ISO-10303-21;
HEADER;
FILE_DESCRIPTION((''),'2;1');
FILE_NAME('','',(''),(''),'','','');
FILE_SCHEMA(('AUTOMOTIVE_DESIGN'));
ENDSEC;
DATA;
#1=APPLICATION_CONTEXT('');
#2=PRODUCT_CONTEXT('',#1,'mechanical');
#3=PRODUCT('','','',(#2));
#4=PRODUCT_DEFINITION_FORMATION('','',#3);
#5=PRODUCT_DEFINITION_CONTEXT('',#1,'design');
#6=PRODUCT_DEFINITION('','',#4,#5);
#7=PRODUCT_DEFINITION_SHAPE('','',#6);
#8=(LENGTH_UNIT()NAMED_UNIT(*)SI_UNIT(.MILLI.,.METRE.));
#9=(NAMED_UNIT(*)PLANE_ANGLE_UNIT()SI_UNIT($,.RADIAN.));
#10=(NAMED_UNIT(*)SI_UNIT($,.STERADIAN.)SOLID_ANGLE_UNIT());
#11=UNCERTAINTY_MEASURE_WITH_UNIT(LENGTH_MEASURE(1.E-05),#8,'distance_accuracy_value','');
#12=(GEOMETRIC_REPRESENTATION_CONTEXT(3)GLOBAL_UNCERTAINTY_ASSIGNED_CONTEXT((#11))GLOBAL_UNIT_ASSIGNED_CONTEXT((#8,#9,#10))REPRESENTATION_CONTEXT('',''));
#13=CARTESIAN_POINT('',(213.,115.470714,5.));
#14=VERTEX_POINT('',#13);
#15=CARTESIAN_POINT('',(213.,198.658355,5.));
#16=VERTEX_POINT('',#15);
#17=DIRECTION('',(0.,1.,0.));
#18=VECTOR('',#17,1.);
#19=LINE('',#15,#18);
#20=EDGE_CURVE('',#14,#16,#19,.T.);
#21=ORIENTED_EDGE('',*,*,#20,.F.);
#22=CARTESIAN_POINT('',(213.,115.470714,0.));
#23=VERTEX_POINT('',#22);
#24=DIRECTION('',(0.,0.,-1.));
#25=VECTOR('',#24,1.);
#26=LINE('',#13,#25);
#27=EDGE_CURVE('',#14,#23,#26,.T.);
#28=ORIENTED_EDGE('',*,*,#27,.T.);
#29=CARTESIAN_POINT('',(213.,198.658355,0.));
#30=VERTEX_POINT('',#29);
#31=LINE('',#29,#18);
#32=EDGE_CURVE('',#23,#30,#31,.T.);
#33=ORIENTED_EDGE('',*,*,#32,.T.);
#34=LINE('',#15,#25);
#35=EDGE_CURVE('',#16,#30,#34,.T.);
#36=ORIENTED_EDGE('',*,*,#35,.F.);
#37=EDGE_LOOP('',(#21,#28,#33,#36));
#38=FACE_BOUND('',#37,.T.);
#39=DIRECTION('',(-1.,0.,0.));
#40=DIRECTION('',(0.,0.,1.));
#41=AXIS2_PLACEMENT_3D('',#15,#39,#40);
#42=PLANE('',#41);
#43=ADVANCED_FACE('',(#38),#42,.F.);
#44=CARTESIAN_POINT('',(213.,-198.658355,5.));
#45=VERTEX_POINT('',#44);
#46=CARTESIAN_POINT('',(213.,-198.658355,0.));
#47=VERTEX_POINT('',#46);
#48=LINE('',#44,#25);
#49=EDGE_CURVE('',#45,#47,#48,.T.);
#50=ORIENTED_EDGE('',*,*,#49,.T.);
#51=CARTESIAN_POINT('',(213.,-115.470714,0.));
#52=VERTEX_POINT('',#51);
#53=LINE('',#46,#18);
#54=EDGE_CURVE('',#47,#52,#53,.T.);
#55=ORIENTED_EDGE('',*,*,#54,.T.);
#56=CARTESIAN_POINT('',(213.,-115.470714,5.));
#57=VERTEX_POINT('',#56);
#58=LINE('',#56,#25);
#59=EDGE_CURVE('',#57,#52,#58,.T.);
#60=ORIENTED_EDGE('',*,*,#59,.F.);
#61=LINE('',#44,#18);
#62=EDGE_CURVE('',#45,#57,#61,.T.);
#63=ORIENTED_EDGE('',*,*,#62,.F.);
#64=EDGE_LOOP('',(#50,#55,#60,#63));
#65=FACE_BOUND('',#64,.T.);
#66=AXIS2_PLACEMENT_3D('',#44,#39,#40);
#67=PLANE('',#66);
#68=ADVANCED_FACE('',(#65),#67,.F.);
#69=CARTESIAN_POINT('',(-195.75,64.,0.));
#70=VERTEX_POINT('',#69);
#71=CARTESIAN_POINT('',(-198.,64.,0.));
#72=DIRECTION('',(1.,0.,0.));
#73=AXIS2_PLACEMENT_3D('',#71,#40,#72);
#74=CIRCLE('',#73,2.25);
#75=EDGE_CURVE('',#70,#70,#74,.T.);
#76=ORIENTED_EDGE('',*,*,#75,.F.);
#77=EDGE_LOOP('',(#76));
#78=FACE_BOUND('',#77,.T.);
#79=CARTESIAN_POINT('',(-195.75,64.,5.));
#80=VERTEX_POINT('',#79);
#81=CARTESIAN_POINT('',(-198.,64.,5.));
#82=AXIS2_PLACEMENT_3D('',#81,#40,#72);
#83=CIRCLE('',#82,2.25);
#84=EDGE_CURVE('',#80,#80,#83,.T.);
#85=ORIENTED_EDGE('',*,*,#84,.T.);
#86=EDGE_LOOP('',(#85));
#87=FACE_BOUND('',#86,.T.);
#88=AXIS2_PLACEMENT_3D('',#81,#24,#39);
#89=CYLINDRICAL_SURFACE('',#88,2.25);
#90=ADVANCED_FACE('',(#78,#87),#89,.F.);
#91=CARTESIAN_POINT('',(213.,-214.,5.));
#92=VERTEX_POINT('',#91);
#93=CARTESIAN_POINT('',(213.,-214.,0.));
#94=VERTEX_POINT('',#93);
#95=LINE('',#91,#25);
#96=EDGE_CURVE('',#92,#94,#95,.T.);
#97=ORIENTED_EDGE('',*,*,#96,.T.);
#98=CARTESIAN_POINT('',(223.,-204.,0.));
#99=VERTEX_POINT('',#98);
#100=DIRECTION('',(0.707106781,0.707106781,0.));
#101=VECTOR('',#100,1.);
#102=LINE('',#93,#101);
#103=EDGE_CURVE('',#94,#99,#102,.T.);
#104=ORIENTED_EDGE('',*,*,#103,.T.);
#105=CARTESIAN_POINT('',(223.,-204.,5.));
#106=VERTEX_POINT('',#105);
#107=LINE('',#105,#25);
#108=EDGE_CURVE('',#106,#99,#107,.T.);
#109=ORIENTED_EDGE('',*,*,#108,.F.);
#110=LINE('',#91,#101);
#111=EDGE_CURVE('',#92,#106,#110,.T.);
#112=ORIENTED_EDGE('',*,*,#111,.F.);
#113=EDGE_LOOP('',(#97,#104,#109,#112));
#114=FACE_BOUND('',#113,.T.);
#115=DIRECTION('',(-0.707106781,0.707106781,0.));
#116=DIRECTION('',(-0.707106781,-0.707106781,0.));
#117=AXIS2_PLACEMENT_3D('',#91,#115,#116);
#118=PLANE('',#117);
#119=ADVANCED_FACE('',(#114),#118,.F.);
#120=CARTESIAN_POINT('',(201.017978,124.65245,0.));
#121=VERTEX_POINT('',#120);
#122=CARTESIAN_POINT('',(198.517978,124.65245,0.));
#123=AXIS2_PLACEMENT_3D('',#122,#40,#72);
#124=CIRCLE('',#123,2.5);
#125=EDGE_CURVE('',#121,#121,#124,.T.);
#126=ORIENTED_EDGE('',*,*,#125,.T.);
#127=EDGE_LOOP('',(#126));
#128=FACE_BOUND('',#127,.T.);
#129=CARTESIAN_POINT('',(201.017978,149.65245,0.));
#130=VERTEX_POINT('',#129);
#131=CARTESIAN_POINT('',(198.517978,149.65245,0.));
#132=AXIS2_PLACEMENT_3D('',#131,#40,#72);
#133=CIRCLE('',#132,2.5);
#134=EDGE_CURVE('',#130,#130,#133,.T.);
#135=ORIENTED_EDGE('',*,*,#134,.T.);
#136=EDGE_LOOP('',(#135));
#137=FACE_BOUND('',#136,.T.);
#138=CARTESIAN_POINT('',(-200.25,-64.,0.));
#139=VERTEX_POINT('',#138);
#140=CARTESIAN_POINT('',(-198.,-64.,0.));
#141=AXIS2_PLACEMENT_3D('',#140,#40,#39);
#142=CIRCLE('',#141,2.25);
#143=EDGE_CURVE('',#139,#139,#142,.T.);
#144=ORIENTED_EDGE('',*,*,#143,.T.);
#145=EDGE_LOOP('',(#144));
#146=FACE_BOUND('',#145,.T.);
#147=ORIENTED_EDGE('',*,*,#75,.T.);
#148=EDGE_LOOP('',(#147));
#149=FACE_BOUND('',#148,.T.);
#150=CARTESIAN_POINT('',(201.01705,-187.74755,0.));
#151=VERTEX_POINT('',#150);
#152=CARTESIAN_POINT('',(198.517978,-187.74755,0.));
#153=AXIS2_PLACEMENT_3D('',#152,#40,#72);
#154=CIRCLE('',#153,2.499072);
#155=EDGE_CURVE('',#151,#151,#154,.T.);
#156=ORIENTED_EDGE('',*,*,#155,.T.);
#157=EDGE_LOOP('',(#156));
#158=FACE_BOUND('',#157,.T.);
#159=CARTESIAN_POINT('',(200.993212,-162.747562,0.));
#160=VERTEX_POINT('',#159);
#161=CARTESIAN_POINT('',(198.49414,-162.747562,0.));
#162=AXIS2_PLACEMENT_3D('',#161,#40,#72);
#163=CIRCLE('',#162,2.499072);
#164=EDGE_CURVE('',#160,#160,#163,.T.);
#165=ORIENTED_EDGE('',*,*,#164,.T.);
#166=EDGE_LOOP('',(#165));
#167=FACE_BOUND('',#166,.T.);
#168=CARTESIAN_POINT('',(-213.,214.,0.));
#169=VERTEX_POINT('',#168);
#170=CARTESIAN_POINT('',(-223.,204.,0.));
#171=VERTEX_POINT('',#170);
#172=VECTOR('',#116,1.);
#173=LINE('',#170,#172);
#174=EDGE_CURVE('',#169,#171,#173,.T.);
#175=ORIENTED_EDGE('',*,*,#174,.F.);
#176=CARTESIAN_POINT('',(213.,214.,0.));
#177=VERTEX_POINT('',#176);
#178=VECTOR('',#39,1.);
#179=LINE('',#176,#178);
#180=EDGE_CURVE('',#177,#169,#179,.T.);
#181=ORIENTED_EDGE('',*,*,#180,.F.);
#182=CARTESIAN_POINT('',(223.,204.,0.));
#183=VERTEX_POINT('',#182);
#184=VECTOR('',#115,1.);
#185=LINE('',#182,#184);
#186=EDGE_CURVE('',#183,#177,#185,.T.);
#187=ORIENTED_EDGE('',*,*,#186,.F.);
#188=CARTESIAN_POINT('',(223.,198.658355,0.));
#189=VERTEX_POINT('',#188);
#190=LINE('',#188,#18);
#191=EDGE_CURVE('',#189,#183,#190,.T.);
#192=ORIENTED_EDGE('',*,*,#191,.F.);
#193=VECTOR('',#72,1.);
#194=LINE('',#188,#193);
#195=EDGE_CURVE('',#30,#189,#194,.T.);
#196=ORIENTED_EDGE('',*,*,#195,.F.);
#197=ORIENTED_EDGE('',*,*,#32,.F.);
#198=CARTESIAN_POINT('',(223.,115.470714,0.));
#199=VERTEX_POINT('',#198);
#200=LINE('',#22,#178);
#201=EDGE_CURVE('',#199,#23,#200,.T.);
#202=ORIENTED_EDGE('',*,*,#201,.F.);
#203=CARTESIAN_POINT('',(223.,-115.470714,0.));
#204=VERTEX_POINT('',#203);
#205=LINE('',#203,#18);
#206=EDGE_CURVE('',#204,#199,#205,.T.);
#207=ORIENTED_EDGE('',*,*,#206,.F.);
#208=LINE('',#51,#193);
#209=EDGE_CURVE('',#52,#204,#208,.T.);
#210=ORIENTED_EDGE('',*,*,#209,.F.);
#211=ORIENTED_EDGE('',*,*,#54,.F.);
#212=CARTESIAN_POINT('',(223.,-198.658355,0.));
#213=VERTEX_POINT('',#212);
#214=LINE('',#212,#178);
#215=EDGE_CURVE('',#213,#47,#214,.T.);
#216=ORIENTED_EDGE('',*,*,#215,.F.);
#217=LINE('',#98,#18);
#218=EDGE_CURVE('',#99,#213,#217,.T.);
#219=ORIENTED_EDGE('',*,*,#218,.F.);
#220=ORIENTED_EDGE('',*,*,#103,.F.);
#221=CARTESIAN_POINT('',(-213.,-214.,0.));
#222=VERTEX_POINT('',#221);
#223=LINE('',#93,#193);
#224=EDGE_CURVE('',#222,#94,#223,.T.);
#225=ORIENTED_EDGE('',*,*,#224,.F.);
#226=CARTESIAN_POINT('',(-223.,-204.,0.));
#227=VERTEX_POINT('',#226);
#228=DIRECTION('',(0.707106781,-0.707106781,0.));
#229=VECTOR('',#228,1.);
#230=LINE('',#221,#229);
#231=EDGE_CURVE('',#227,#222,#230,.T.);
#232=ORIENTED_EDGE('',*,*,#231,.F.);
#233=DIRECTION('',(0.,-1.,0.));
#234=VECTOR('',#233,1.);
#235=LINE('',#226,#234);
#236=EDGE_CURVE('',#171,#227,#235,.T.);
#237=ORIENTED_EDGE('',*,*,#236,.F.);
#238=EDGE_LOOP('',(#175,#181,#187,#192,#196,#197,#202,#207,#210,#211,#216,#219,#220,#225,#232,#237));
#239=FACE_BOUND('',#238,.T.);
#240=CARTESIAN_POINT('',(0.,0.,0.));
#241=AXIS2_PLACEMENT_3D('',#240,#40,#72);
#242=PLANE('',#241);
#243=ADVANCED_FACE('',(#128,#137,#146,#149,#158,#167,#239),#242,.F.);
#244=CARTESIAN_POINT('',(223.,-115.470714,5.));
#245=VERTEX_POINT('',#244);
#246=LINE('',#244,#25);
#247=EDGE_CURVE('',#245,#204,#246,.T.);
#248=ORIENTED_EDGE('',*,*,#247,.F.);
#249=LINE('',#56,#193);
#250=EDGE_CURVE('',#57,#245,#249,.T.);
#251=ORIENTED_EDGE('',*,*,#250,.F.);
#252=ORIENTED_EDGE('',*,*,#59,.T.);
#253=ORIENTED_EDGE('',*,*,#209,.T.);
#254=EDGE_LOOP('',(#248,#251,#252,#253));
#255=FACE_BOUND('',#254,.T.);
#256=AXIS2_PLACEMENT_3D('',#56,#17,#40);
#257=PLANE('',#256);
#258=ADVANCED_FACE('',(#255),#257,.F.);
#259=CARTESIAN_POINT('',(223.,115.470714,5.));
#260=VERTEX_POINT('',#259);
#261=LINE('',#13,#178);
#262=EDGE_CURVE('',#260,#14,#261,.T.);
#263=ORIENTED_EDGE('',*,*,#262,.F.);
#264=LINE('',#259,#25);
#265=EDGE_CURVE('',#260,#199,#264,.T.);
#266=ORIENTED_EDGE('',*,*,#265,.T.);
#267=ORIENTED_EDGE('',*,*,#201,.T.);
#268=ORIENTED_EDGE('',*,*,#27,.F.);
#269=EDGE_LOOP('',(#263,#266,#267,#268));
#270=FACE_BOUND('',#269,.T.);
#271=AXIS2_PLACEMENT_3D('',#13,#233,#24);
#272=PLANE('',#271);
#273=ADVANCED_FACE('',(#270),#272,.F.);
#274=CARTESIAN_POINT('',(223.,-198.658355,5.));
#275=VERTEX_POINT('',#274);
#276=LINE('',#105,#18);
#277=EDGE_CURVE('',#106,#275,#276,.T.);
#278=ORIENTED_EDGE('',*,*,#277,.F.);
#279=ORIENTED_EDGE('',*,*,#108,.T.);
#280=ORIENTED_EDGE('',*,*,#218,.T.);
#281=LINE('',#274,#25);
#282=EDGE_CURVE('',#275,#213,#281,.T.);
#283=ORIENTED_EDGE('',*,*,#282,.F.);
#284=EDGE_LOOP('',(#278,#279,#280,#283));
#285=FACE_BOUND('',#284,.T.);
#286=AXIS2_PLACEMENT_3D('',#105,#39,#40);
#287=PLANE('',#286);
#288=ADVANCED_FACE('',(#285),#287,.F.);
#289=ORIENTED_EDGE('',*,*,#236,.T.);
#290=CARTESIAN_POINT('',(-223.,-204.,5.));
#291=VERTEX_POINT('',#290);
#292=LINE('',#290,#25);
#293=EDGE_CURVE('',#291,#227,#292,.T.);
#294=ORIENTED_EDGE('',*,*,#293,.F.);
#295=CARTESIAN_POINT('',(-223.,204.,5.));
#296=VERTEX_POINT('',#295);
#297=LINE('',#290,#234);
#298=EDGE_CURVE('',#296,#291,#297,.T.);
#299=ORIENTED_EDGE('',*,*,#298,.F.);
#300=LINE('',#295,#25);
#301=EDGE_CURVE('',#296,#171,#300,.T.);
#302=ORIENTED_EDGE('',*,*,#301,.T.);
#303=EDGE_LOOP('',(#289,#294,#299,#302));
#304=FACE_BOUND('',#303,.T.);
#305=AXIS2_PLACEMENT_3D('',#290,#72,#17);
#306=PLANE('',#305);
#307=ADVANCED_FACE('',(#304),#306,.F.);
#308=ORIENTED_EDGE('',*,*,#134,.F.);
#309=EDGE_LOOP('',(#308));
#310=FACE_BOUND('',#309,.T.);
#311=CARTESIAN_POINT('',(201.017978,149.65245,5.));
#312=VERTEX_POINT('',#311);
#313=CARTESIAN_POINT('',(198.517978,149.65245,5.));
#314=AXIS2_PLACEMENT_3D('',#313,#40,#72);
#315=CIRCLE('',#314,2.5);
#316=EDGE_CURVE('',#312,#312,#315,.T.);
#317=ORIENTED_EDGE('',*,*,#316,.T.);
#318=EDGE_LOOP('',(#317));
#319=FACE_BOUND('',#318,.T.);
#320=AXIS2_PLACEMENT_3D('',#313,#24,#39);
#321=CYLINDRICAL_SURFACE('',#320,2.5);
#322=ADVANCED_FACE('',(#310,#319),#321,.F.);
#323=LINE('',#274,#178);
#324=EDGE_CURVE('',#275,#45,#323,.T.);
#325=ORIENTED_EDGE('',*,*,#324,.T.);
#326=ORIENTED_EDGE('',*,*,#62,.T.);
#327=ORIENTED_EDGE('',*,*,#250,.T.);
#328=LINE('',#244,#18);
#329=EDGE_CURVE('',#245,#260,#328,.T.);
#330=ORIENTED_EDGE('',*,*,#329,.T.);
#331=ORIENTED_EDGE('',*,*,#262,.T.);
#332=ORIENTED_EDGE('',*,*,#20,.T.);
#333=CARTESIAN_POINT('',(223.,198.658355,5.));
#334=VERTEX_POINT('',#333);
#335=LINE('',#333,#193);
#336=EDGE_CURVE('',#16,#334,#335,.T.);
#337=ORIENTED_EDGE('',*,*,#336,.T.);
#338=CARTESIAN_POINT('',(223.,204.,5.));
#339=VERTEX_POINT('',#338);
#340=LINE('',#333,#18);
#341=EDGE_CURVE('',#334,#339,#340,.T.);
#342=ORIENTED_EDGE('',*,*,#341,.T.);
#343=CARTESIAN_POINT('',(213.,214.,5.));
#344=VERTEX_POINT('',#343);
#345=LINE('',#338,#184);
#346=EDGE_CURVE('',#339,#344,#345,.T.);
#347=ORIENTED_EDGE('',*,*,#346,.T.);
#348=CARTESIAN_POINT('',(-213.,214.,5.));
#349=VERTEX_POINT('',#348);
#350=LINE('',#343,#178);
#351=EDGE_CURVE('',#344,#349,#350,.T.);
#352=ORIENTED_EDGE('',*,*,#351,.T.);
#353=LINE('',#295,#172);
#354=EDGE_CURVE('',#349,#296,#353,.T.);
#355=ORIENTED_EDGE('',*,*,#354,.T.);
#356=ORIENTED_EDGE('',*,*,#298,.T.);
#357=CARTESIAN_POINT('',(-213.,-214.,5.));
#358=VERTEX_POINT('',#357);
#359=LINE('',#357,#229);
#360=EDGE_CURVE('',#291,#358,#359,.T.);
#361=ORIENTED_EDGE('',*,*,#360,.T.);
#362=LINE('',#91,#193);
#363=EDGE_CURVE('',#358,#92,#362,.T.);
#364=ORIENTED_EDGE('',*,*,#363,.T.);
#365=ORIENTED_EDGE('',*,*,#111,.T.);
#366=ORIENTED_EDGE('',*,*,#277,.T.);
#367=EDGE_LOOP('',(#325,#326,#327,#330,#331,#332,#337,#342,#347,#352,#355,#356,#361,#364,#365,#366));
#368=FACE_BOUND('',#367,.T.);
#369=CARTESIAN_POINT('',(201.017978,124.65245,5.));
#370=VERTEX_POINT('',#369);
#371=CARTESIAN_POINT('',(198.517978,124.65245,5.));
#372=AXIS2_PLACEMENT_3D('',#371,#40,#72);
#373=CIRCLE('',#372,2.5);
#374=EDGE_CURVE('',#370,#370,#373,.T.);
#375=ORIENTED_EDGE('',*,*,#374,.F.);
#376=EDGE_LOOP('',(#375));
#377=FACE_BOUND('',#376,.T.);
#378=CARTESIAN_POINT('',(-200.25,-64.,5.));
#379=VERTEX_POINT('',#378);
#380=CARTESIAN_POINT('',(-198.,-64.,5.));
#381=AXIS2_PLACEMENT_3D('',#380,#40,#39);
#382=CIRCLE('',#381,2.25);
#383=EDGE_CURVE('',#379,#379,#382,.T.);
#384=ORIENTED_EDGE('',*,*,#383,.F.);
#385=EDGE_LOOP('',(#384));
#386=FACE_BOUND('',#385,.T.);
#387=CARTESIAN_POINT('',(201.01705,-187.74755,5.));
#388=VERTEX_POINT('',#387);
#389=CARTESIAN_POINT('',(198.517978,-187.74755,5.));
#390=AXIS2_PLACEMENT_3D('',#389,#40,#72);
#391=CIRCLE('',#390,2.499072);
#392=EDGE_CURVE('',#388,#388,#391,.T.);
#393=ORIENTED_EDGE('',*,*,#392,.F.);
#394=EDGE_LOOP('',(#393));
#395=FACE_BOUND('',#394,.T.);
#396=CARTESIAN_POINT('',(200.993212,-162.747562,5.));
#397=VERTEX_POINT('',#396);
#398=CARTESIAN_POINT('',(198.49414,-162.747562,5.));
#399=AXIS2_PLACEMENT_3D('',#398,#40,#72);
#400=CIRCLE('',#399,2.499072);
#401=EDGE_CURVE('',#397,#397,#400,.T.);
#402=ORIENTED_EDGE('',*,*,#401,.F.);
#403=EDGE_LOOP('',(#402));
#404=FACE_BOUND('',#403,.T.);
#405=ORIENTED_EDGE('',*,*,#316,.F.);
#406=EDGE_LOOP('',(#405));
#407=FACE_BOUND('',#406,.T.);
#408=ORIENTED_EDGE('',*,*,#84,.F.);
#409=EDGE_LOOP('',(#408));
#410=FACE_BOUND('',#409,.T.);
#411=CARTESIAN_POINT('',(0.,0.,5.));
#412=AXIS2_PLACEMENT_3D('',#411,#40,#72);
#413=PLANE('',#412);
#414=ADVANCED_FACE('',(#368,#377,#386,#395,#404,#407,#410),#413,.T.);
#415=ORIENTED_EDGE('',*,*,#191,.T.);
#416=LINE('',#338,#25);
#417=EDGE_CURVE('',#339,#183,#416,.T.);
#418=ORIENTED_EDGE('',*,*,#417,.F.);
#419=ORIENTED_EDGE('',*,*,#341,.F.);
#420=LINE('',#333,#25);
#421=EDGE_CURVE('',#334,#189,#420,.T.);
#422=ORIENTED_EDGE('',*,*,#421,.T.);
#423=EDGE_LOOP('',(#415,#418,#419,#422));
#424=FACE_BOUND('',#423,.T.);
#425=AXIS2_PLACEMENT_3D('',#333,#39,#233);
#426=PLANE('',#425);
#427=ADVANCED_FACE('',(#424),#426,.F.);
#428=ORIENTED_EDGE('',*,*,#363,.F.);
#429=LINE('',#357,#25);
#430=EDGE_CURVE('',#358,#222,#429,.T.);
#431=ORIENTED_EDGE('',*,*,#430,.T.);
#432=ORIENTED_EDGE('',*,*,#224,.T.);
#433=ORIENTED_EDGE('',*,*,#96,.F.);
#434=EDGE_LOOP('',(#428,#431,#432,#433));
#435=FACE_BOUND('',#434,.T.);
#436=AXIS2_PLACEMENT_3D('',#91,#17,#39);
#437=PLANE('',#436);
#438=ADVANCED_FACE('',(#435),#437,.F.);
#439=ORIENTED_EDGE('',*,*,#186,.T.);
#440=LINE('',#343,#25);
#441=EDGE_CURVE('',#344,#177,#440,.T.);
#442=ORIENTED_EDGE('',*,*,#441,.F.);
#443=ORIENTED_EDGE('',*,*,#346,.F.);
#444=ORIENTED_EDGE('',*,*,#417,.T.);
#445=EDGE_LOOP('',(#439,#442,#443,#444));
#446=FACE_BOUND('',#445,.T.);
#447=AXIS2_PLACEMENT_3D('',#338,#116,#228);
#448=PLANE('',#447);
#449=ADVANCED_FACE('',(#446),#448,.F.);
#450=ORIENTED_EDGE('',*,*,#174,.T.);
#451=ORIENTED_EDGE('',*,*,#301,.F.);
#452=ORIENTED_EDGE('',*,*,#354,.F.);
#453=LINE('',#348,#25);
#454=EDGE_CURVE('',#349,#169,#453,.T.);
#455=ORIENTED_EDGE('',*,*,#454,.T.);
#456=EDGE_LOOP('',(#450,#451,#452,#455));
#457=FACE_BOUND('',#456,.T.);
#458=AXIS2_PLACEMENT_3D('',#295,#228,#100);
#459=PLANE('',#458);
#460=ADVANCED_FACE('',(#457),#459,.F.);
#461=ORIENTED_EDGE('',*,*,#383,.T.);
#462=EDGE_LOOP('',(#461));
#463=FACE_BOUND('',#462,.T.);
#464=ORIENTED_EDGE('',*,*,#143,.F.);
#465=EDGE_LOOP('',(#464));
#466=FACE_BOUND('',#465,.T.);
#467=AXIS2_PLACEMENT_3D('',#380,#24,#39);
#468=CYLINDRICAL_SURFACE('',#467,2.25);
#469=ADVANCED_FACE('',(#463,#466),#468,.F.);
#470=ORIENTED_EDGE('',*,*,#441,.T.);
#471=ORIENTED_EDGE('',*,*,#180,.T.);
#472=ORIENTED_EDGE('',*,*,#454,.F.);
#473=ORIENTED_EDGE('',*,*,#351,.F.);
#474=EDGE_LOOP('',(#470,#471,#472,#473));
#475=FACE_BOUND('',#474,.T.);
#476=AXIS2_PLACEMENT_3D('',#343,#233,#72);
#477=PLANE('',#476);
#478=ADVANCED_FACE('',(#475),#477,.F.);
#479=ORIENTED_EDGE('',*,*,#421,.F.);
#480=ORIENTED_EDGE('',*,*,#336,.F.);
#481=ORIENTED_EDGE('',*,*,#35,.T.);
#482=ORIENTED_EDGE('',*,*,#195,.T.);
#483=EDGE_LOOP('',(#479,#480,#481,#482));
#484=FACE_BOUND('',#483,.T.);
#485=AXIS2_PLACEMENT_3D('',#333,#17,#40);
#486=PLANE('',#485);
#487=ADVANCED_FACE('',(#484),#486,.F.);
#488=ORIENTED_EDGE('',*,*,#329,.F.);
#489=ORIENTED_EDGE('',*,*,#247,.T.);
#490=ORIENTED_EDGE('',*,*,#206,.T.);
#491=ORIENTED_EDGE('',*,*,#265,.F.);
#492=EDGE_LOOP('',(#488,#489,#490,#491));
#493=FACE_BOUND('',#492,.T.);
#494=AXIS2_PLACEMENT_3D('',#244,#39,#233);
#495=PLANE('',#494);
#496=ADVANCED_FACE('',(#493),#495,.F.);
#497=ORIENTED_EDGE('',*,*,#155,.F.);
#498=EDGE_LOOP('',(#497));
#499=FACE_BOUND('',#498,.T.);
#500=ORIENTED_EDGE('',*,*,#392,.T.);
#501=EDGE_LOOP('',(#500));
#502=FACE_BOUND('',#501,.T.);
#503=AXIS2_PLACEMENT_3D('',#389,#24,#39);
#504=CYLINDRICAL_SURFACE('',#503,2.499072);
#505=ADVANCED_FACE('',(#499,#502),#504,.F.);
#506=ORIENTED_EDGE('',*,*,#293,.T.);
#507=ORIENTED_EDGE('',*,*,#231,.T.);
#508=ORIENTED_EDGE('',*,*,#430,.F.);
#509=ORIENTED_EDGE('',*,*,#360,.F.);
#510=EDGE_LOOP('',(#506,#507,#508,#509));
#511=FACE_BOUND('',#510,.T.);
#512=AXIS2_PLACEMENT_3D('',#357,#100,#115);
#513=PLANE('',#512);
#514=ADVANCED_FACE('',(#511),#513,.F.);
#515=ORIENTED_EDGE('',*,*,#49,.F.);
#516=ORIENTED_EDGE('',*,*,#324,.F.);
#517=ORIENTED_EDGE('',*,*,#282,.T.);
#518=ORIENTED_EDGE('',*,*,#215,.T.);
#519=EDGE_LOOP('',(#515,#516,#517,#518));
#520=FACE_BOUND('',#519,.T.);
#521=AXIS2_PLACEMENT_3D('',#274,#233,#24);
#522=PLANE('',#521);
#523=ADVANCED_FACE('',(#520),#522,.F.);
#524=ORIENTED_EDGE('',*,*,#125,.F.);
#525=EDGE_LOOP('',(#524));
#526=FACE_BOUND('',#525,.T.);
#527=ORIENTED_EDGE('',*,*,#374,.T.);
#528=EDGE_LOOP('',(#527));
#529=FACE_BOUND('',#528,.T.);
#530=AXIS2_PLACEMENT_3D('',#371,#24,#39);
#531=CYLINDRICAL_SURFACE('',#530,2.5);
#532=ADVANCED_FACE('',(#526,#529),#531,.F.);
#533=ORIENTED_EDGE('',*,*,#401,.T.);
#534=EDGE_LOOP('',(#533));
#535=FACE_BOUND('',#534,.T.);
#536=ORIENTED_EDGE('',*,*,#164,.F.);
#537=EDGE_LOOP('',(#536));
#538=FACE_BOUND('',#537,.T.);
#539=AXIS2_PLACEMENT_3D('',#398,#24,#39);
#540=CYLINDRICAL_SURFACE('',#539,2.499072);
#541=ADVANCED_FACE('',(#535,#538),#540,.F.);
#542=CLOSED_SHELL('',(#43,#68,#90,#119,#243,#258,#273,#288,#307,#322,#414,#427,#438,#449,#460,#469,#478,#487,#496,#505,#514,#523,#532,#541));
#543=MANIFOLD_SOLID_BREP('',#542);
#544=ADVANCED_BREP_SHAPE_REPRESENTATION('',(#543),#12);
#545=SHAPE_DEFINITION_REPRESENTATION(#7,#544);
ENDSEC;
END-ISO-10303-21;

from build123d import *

# Parameters (mm, degrees)
SCHIZZO1_R                   = 2.5
SCHIZZO1_R_2                 = 2.499072061
SCHIZZO1_R_3                 = 2.25
ESTRUSIONE_ESTRUSIONE1_DEPTH = 5


with BuildPart() as part:
    # Schizzo1 → Estrusione-Estrusione1 (new body)
    with BuildSketch(Plane.XY):
        Polygon((-223, 204), (-213, 214), (213, 214), (223, 204), (223, 198.658355402), (213, 198.658355402), (213, 115.470714491), (223, 115.470714491), (223, -115.470714491), (213, -115.470714491), (213, -198.658355402), (223, -198.658355402), (223, -204), (213, -214), (-213, -214), (-223, -204), align=None)
        with Locations((198.51797805, 149.65244957)):
            Circle(SCHIZZO1_R, mode=Mode.SUBTRACT)
        with Locations((198.51797805, 124.65244957)):
            Circle(SCHIZZO1_R, mode=Mode.SUBTRACT)
        with Locations((198.494140307, -162.747561795)):
            Circle(SCHIZZO1_R_2, mode=Mode.SUBTRACT)
        with Locations((198.51797805, -187.74755043)):
            Circle(SCHIZZO1_R_2, mode=Mode.SUBTRACT)
        with Locations((-198, 64)):
            Circle(SCHIZZO1_R_3, mode=Mode.SUBTRACT)
        with Locations(Location((-198, -64, 0), (0, 0, 180))):
            Circle(SCHIZZO1_R_3, mode=Mode.SUBTRACT)
    extrude(amount=ESTRUSIONE_ESTRUSIONE1_DEPTH)


solid = part.part
